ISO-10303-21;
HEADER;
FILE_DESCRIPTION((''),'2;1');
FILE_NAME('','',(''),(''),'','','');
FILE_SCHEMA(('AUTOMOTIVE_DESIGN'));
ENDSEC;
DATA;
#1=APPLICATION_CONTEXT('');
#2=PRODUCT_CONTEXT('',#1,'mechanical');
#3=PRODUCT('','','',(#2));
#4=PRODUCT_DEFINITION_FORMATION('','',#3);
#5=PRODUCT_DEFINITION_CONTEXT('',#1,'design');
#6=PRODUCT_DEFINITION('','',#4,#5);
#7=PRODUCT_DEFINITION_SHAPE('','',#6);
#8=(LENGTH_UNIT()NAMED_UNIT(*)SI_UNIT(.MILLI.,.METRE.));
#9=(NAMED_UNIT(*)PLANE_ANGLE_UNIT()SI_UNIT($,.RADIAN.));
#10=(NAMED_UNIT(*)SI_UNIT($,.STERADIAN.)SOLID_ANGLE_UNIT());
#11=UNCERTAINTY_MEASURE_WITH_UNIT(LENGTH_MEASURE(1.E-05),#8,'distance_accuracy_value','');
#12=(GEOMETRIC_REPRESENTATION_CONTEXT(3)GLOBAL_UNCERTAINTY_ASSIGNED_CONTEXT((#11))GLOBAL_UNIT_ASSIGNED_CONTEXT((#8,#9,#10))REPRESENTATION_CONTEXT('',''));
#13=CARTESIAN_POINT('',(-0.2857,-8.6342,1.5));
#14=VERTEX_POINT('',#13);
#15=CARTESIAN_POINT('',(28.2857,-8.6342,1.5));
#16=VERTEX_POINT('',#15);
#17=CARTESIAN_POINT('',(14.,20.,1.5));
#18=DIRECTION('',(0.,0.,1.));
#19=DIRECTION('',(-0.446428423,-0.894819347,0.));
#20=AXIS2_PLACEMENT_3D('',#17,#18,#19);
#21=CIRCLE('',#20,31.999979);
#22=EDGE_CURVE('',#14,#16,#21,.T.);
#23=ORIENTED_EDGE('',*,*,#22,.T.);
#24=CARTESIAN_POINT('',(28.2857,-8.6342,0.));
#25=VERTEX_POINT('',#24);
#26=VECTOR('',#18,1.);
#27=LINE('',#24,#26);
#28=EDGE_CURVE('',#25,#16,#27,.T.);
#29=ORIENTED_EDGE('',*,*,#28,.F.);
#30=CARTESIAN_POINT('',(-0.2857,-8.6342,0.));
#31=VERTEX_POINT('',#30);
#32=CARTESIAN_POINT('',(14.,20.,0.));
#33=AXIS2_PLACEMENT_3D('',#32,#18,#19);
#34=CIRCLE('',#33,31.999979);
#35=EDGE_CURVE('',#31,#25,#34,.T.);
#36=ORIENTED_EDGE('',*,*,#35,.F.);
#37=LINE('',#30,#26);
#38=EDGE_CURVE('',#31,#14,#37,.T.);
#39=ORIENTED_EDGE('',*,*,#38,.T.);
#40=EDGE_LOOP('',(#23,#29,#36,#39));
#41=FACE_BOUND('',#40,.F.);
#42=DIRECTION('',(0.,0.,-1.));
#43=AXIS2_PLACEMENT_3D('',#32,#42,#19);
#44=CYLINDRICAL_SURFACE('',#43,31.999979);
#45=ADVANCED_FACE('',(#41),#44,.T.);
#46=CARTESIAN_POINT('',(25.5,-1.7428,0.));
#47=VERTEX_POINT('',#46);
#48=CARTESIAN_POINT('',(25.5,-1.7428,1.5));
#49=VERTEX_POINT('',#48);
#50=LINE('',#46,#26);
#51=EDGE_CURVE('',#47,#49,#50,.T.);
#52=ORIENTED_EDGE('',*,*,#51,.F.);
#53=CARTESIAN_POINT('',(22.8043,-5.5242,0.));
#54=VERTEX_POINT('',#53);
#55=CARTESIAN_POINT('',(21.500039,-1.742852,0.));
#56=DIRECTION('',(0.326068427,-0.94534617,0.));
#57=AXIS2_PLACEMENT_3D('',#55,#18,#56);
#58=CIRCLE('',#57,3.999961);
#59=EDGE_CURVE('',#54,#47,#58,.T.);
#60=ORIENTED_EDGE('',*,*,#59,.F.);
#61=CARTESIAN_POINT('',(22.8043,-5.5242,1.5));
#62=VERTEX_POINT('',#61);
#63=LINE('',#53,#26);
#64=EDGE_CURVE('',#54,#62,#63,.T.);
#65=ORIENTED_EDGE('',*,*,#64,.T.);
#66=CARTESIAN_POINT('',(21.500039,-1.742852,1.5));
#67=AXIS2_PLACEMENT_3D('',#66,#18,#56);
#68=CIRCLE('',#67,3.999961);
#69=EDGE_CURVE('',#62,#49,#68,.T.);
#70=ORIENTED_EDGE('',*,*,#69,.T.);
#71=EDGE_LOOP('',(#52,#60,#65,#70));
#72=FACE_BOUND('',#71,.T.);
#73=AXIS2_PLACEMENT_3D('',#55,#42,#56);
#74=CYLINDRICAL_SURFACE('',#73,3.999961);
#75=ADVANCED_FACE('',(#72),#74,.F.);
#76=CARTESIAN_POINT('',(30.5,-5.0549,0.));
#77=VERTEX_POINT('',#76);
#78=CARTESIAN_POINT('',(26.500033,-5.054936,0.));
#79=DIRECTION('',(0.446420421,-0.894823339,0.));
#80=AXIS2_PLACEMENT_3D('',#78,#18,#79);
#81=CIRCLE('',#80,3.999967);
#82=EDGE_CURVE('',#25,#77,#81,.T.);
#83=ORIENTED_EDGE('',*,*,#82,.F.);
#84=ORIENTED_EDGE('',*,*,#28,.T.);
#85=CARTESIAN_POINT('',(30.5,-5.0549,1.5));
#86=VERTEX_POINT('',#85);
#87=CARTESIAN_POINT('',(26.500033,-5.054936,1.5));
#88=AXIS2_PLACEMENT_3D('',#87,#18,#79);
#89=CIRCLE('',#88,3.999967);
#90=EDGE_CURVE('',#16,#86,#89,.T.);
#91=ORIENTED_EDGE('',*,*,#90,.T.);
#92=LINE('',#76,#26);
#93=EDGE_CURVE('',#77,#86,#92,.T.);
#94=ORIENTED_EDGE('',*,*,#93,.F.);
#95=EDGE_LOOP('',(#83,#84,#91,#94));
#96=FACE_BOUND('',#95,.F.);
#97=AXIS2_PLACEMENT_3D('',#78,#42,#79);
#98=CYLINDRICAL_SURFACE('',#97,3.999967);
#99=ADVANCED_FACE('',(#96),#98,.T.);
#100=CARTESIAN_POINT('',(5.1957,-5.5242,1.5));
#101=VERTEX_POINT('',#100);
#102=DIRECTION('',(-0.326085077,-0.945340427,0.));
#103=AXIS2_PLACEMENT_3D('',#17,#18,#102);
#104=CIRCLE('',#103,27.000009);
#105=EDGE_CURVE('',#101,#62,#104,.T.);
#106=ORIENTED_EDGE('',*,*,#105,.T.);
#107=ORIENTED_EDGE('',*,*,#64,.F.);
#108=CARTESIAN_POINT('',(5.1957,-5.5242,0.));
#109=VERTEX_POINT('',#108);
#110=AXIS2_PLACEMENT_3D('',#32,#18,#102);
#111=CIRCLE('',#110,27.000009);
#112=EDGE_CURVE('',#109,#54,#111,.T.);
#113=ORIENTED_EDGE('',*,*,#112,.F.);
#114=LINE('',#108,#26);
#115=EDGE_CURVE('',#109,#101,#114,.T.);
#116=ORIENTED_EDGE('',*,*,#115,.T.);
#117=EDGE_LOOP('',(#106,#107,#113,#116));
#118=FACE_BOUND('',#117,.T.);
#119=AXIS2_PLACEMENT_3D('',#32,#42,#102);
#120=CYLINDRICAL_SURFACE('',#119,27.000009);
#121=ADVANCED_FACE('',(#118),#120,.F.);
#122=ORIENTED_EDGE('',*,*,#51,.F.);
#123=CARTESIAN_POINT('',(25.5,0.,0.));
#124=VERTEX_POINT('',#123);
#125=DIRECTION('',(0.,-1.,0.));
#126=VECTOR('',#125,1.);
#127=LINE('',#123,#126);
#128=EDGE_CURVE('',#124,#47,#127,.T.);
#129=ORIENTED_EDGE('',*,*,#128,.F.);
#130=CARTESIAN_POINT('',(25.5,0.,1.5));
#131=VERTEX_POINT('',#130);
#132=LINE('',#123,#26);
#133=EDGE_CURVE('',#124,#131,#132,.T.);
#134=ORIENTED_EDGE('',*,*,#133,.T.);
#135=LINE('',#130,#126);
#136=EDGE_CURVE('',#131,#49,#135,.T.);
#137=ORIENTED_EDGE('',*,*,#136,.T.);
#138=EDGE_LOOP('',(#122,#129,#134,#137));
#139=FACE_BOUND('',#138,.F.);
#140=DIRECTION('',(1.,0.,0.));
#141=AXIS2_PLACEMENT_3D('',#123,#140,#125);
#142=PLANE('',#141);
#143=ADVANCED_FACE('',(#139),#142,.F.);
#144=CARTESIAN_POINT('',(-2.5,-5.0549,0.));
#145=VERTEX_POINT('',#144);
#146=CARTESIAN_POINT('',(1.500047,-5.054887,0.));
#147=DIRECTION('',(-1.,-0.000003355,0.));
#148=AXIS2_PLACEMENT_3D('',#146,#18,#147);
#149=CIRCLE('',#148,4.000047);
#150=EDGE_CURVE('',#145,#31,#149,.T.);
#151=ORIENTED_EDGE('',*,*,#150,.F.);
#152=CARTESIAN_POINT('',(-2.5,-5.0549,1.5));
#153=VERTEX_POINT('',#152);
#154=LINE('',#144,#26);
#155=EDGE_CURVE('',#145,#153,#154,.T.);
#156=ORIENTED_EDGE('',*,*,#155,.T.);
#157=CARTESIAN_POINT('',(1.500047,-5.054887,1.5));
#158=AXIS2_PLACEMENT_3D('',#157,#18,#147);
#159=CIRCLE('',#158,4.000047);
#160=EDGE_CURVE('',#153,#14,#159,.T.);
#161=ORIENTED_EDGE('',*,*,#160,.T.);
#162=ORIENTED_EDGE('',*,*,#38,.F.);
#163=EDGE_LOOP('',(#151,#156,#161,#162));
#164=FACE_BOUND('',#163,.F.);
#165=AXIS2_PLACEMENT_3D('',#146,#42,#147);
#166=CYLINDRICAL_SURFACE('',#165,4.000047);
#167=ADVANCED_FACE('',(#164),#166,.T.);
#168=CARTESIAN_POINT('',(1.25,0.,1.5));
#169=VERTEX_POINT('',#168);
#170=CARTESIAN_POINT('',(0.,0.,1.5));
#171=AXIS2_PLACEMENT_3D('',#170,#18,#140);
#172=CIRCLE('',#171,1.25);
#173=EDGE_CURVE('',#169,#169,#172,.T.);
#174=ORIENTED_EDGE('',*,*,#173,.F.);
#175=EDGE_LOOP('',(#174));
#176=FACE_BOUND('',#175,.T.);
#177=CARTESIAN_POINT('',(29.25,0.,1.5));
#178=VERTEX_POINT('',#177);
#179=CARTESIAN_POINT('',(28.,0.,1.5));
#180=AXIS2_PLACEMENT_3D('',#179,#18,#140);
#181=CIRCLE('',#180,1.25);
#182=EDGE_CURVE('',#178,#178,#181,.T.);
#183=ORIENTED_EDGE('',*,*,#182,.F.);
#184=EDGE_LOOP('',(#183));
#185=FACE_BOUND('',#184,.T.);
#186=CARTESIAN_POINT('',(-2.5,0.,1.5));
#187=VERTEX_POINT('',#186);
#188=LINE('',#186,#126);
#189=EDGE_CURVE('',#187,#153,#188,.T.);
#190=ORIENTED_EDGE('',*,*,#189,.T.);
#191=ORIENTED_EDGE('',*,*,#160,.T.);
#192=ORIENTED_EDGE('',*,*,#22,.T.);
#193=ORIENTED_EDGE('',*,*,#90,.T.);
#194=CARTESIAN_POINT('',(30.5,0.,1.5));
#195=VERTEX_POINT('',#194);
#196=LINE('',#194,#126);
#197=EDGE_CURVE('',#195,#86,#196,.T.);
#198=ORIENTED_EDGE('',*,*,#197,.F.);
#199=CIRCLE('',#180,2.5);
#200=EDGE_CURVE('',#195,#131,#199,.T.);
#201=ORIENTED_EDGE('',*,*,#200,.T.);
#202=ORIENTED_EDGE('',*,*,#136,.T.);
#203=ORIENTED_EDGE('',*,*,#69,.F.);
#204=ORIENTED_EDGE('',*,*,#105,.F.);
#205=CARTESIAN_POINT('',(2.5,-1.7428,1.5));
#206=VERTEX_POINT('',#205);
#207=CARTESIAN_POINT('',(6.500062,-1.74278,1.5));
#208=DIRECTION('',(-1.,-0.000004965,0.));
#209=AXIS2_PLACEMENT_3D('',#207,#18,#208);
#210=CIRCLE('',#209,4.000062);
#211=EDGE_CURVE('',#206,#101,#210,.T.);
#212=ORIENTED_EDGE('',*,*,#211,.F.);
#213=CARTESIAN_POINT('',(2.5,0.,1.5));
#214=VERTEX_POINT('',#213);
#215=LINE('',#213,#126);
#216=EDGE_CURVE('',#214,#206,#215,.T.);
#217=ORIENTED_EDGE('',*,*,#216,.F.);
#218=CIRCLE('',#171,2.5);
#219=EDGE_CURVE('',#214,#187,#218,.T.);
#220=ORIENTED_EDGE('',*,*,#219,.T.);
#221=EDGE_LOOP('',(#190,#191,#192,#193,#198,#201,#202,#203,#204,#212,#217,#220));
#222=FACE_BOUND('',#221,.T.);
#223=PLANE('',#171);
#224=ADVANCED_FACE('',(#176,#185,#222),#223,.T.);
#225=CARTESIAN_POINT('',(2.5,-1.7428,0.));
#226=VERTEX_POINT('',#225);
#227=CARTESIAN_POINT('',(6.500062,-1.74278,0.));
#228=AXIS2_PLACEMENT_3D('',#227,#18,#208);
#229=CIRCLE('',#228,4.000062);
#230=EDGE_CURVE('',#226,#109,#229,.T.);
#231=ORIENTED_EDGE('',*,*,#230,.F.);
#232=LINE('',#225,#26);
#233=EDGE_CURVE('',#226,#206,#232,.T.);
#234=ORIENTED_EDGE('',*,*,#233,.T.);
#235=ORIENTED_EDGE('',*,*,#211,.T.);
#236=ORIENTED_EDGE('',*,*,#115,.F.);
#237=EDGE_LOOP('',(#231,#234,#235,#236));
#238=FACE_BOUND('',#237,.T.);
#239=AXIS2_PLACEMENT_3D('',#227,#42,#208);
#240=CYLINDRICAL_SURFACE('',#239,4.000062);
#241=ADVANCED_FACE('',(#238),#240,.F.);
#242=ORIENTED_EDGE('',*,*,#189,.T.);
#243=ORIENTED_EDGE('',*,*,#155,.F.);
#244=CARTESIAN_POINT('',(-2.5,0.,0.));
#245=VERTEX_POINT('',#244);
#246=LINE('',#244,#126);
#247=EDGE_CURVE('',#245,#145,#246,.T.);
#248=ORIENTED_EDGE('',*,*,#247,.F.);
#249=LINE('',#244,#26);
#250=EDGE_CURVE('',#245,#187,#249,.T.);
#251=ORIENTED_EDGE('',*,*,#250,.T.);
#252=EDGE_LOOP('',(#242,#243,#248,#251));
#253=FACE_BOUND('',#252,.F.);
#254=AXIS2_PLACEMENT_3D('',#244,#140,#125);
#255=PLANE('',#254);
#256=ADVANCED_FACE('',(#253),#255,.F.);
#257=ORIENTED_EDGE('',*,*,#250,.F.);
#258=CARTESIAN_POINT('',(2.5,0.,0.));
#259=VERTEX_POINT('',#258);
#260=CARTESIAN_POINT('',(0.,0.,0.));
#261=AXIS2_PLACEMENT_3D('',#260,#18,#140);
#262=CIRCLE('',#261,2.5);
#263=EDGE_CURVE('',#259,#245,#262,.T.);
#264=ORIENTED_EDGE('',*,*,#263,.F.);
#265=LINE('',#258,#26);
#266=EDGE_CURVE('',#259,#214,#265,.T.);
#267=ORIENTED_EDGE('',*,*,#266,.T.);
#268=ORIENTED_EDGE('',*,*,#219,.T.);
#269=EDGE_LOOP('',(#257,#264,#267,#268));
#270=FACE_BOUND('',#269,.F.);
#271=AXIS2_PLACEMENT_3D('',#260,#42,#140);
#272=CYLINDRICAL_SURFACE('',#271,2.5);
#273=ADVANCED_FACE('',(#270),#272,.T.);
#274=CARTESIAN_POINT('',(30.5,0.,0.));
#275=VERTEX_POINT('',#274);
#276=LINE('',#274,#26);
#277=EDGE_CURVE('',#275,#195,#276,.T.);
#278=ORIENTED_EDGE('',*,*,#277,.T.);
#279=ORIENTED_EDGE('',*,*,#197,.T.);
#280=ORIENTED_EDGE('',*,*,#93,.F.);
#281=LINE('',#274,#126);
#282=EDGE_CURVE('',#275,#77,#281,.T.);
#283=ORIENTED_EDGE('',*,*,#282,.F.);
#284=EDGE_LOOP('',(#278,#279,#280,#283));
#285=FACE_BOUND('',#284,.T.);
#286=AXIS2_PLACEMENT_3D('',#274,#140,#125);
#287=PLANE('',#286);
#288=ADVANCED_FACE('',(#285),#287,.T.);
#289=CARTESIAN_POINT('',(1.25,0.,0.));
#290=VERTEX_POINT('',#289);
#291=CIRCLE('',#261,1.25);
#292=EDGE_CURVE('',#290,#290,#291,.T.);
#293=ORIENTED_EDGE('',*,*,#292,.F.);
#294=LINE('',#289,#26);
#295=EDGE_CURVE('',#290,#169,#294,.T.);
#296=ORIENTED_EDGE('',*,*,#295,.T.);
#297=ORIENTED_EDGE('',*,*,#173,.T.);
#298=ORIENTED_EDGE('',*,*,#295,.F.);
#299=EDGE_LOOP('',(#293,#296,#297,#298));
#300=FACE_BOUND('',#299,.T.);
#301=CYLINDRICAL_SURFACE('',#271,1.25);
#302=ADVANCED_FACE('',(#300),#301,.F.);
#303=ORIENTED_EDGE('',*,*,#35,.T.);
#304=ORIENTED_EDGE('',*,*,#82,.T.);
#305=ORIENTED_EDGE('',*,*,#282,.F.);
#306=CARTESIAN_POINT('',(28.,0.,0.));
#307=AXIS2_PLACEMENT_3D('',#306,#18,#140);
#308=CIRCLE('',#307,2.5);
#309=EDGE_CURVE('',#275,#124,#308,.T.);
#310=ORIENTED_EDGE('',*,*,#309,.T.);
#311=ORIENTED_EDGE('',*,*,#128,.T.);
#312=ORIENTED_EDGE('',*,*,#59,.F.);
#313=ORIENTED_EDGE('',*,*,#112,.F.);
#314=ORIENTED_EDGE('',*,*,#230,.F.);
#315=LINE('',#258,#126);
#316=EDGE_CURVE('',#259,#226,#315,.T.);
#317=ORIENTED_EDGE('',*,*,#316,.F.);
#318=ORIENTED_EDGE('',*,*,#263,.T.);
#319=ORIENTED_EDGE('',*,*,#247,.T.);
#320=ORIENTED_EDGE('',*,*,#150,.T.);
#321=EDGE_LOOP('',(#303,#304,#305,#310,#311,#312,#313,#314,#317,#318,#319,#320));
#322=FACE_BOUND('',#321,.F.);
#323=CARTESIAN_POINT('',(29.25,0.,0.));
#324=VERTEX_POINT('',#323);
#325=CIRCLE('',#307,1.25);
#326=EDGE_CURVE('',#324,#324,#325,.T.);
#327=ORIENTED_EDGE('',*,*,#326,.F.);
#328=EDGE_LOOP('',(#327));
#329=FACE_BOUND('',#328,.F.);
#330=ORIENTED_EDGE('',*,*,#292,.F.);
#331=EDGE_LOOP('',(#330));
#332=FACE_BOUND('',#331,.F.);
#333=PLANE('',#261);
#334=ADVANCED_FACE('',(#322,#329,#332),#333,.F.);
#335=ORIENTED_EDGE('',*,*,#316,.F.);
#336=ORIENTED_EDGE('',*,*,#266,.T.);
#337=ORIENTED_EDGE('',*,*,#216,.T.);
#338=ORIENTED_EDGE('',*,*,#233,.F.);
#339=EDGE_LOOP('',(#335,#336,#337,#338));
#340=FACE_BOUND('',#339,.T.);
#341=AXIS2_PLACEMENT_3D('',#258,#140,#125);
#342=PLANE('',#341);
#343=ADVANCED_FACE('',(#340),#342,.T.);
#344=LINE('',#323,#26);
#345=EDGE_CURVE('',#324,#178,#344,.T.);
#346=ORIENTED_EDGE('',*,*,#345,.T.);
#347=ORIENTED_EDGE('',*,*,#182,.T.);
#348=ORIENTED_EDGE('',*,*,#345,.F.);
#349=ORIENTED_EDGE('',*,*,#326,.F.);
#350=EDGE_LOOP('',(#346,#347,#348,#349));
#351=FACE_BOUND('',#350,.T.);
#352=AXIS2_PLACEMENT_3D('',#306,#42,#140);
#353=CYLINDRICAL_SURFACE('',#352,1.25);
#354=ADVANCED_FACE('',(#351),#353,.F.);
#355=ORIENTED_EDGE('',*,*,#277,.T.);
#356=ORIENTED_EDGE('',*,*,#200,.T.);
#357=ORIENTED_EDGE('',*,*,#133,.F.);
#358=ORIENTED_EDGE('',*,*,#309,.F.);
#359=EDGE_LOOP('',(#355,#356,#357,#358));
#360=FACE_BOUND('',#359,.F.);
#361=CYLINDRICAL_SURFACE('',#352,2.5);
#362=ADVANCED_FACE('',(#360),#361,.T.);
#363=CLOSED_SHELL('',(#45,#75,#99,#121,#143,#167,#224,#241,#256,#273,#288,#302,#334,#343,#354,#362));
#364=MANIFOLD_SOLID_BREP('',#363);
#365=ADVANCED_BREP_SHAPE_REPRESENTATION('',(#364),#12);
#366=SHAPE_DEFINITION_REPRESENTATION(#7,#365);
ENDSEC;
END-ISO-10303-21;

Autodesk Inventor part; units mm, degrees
ref_plane "YZ Plane" through (0, 0, 0) normal (1, 0, 0) x (0, 1, 0)
ref_plane "XZ Plane" through (0, 0, 0) normal (0, 1, 0) x (-1, 0, 0)
ref_plane "XY Plane" through (0, 0, 0) normal (0, 0, 1) x (1, 0, 0)
sketch "Sketch1" plane through (0, 0, 0) normal (0, 0, 1) x (1, 0, 0)
  circle A0 centre (0, 0) radius 1.25
  line L0 (0, 0) -> (28, 0) construction
  circle A1 centre (28, 0) radius 1.25
  arc A2 (2.5, 0) -> (-2.5, 0) centre (0, 0) ccw
  arc A3 (30.5, 0) -> (25.5, 0) centre (28, 0) ccw
  line L1 (25.5, 0) -> (25.5, -1.7428)
  line L2 (30.5, 0) -> (30.5, -5.0549)
  line L3 (14, 0) -> (14, -6) construction
  arc A4 (5.1957, -5.5242) -> (22.8043, -5.5242) centre (14, 20) ccw
  arc A5 (-0.2857, -8.6342) -> (28.2857, -8.6342) centre (14, 20) ccw
  arc A6 (2.5, -1.7428) -> (5.1957, -5.5242) centre (6.5, -1.7428) ccw
  arc A7 (-2.5, -5.0549) -> (-0.2857, -8.6342) centre (1.5, -5.0549) ccw
  arc A8 (22.8043, -5.5242) -> (25.5, -1.7428) centre (21.5, -1.7428) ccw
  arc A9 (28.2857, -8.6342) -> (30.5, -5.0549) centre (26.5, -5.0549) ccw
  line L4 (-2.5, 0) -> (-2.5, -5.0549)
  line L5 (2.5, 0) -> (2.5, -1.7428)
  point P0 (30.5, -7.4181)
  point P1 (25.5, -4.4285)
  point P2 (-2.5, -7.4181)
  point P3 (2.5, -4.4285)
  dimension "d0" = 2.5
  dimension "d1" = 28
  dimension "d21" = 6
  dimension "d22" = 14
  dimension "d23" = 2.5
  dimension "d24" = 27
  dimension "d25" = 32
  dimension "d26" = 20
  dimension "d27" = 4
extrude "Extrusion1" add sketch "Sketch1" along normal blind 1.5
properties part number "panto_linkageF"
